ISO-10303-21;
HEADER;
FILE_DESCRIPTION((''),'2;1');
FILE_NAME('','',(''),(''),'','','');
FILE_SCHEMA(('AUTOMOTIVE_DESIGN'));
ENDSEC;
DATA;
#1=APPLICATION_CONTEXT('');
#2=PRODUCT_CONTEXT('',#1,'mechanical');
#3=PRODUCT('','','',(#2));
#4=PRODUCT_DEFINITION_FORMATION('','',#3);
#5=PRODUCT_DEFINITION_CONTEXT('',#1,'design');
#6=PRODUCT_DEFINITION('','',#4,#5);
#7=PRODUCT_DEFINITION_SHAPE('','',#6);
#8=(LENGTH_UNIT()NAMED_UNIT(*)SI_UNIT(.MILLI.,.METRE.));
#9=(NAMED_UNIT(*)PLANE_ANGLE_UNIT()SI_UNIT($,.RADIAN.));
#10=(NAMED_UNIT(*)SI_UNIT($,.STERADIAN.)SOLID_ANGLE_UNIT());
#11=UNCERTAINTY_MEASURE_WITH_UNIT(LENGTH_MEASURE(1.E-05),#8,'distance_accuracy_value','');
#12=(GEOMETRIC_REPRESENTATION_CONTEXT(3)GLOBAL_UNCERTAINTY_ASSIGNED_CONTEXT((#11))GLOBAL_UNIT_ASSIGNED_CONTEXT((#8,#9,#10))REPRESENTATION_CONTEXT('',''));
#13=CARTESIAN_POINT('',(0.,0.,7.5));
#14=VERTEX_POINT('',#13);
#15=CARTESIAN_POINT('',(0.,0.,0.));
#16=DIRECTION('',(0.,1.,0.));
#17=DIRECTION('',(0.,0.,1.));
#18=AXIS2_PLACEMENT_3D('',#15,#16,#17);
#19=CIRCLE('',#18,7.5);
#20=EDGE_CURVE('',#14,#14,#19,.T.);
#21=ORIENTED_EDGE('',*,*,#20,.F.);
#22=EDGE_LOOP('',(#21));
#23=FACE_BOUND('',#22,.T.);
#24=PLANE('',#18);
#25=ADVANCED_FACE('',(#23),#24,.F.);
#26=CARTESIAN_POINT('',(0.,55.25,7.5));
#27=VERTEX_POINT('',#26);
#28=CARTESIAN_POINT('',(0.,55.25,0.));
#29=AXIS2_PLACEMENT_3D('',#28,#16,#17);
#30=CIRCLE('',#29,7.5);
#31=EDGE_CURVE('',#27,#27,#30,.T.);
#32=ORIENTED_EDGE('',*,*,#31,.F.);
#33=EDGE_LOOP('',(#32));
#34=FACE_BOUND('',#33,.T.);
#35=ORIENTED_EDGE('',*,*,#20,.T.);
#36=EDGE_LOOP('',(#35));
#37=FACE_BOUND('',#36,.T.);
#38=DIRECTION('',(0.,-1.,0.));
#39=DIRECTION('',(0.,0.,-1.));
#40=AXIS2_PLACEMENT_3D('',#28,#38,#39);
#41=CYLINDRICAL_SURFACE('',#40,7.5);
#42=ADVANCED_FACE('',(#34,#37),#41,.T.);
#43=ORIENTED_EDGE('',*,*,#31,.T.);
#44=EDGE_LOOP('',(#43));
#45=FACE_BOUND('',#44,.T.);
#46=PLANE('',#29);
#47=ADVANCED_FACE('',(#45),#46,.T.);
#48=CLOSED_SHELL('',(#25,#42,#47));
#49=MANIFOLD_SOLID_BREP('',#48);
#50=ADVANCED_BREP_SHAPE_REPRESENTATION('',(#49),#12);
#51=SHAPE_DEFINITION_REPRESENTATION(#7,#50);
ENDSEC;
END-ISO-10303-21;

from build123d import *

# Parameters (mm, degrees)
ESBO_O1_R                = 7.5
RESSALTO_EXTRUS_O1_DEPTH = 55.25


with BuildPart() as part:
    # Esboço1 → Ressalto-extrusão1 (new body)
    with BuildSketch(Plane(origin=(0, 0, 0), x_dir=(1, 0, 0), z_dir=(0, 1, 0))):
        with Locations(Location((0, 0, 0), (0, 0, 270))):
            Circle(ESBO_O1_R)
    extrude(amount=RESSALTO_EXTRUS_O1_DEPTH)


solid = part.part
